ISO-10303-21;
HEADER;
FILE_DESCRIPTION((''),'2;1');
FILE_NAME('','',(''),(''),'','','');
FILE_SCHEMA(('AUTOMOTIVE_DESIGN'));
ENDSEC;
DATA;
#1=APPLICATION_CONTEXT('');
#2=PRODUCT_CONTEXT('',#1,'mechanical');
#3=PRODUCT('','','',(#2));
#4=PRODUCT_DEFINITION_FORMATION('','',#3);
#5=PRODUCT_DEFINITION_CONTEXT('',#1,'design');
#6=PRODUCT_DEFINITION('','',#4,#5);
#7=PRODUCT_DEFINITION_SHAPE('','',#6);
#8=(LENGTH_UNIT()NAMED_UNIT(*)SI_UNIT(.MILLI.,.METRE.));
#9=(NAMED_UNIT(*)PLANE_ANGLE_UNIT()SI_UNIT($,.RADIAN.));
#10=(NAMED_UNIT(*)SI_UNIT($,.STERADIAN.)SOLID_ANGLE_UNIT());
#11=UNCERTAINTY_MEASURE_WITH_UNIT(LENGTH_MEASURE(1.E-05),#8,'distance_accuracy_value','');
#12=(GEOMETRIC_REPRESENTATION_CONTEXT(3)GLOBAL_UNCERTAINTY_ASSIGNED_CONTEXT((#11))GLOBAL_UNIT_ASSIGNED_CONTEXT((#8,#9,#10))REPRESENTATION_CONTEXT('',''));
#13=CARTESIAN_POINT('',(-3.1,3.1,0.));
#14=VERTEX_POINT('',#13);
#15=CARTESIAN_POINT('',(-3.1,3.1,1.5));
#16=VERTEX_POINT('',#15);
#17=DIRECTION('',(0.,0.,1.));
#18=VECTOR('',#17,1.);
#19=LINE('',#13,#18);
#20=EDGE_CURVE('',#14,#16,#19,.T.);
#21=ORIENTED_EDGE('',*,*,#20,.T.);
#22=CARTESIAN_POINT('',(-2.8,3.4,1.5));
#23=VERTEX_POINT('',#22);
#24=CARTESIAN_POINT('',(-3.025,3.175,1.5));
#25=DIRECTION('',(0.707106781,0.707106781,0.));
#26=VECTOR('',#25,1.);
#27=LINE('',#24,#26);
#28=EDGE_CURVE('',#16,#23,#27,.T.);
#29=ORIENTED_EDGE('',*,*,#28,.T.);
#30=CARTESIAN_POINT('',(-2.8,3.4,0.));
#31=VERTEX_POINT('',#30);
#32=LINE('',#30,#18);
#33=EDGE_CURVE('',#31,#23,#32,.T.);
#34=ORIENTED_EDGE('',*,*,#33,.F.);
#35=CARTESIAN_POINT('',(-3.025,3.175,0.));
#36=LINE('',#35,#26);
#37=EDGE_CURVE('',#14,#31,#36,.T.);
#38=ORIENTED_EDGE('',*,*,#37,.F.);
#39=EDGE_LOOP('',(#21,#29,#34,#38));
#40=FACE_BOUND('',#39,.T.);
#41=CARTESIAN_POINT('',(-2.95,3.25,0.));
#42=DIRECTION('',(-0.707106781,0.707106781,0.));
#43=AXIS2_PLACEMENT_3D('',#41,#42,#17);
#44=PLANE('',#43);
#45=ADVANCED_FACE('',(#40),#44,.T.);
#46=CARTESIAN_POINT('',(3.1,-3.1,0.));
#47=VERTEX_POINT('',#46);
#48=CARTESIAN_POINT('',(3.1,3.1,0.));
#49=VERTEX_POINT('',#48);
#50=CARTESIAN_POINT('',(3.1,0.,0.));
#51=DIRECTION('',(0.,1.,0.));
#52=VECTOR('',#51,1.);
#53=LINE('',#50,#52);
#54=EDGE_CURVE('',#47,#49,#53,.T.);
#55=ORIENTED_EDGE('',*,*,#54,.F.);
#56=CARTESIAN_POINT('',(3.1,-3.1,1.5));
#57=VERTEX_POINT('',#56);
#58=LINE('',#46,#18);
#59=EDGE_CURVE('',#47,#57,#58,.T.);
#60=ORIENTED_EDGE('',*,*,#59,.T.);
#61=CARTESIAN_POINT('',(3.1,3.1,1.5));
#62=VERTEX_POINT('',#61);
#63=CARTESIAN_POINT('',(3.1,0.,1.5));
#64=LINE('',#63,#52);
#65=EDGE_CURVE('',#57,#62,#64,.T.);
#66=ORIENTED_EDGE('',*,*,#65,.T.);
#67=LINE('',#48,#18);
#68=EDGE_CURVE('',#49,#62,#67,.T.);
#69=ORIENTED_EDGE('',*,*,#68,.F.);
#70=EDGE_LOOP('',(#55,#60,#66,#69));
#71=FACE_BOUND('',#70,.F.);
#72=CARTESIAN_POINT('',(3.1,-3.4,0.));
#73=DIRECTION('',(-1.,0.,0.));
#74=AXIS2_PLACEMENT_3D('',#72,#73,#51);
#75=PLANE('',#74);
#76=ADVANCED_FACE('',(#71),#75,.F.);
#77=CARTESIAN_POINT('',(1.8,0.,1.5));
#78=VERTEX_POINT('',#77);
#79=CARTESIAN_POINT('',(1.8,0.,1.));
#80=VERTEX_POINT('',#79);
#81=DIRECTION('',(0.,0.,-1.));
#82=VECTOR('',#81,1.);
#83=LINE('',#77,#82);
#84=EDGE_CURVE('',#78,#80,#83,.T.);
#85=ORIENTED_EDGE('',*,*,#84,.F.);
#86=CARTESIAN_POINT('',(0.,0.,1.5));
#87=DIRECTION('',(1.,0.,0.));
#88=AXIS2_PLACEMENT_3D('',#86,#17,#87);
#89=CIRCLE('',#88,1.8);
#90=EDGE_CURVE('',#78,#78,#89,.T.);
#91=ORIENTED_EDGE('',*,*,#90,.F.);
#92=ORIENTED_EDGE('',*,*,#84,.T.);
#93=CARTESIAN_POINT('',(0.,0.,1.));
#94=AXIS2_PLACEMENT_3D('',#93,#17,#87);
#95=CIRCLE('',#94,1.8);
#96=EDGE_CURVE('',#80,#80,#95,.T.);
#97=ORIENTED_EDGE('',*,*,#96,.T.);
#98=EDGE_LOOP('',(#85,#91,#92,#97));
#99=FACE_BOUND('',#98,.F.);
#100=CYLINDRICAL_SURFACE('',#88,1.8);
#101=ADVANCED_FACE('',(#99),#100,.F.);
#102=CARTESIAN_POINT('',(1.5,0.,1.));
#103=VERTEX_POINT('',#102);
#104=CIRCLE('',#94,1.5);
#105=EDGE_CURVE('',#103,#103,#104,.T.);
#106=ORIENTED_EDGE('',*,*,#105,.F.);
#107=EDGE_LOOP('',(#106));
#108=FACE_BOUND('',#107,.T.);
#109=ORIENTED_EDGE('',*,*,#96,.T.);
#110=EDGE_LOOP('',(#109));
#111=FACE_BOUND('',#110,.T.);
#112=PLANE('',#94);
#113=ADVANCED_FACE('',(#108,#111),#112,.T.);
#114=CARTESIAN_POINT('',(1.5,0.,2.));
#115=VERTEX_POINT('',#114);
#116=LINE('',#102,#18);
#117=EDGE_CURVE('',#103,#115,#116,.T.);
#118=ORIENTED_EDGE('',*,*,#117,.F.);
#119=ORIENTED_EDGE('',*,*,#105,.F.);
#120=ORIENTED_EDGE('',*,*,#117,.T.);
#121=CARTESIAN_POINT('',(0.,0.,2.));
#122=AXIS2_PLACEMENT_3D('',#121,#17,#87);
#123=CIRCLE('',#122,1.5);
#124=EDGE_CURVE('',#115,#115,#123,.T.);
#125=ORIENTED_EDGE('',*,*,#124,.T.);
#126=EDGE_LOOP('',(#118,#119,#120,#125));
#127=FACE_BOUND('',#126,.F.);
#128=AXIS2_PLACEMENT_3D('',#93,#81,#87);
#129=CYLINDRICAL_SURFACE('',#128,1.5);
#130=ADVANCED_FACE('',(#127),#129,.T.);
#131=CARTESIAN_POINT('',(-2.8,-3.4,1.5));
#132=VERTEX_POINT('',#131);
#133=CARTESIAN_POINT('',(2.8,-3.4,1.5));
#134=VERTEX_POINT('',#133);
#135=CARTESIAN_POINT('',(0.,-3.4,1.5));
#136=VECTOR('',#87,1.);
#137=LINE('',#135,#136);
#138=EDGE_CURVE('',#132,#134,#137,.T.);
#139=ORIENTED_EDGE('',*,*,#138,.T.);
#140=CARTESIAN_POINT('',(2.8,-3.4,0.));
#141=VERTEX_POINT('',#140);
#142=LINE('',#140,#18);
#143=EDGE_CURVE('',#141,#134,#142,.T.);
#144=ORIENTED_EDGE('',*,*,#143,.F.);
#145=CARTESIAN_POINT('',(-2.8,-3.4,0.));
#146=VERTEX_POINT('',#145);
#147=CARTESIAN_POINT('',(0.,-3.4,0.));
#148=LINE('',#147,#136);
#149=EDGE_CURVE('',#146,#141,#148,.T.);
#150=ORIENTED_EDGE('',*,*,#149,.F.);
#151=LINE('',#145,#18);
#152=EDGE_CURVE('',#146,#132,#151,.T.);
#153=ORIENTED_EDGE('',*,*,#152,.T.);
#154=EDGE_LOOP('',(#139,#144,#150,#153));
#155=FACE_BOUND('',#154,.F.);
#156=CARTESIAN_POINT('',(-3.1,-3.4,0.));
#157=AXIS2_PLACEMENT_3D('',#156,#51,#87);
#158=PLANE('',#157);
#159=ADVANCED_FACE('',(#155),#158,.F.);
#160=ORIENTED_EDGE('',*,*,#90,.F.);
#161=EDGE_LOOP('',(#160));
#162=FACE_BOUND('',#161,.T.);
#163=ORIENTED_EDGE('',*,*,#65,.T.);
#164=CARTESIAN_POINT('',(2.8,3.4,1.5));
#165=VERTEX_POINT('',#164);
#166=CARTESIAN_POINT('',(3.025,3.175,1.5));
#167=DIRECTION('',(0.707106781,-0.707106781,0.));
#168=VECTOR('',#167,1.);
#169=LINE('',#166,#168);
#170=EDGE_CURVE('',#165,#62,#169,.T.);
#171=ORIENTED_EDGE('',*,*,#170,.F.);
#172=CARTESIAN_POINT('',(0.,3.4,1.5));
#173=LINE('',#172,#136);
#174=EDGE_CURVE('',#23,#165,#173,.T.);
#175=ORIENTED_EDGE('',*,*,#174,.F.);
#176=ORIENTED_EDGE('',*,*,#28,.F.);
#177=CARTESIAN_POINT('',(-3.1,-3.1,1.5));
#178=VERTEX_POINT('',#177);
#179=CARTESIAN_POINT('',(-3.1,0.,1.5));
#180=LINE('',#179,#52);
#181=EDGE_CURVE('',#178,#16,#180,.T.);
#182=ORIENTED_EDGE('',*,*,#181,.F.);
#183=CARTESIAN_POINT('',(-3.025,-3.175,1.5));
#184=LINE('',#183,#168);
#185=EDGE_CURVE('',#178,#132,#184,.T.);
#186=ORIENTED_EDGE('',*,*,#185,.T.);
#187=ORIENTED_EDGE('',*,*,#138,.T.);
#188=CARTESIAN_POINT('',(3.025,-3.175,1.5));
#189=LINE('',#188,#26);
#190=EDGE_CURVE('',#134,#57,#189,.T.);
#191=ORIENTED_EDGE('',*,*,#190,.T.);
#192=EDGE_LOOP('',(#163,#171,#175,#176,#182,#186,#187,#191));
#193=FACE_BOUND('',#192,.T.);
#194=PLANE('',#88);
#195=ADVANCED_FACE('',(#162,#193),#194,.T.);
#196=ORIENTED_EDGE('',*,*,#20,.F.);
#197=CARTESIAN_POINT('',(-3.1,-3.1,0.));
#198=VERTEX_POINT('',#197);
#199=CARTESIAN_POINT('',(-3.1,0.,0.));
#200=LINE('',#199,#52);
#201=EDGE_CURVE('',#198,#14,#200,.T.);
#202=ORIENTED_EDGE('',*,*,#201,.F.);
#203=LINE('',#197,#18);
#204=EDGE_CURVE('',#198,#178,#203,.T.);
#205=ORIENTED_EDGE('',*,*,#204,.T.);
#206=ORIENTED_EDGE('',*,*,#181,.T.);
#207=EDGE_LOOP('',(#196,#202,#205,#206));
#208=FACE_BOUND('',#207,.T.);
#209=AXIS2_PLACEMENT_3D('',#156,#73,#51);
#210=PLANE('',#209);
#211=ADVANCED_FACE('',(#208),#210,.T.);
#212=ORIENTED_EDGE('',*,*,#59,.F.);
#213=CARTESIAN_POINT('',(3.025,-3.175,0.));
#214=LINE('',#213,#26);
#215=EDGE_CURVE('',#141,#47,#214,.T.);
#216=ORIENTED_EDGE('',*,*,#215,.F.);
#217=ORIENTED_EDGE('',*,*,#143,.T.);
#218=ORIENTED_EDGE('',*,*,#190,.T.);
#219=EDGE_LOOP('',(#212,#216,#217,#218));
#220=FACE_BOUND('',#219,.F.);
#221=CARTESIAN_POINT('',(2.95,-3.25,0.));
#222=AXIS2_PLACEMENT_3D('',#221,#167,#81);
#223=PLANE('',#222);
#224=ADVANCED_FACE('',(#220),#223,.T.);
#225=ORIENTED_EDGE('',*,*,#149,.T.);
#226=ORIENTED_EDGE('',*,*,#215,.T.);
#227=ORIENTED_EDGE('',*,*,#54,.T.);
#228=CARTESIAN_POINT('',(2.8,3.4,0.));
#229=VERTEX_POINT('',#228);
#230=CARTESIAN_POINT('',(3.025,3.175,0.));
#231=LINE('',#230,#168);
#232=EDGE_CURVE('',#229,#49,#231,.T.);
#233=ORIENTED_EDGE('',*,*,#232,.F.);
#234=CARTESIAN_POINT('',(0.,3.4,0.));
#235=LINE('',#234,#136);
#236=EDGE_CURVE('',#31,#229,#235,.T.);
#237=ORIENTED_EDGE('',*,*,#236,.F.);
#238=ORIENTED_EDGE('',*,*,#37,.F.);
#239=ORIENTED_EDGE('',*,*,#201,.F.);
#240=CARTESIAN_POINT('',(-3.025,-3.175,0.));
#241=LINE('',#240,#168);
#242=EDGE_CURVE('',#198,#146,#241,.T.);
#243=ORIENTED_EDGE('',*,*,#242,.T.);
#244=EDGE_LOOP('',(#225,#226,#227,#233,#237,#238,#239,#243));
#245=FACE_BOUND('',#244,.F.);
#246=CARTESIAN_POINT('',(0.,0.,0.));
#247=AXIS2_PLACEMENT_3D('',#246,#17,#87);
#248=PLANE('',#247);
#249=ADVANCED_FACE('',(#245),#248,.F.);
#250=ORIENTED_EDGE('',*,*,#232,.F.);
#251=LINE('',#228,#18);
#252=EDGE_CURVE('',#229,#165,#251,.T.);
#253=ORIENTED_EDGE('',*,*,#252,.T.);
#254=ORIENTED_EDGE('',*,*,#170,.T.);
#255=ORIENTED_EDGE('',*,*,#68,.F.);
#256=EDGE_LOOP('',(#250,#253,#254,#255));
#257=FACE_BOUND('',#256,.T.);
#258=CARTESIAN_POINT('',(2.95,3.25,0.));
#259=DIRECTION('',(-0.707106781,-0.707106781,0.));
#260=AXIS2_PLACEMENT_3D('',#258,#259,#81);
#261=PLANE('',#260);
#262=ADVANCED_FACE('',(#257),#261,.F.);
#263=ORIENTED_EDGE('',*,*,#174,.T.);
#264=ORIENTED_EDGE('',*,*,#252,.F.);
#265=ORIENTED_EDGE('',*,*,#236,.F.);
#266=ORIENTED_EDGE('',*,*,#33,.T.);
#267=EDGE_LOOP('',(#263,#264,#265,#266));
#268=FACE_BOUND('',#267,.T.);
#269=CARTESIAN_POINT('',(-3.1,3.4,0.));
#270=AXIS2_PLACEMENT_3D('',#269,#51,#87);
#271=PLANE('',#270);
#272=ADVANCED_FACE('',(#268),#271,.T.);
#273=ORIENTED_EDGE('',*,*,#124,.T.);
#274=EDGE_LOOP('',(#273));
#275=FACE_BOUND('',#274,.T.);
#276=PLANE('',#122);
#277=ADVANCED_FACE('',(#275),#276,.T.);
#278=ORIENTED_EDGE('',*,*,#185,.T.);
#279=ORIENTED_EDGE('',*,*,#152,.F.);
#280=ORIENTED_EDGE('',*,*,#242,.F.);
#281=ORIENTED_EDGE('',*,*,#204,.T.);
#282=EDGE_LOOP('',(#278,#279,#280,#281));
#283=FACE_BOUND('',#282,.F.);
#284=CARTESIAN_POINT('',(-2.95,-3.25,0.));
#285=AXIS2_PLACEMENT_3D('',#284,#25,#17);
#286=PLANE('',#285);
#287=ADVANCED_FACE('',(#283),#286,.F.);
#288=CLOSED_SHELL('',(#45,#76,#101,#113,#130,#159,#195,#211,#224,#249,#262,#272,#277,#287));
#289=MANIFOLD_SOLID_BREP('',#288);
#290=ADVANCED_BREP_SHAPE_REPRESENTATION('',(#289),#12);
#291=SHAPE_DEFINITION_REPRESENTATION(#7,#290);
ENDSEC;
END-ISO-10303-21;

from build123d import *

# Parameters (mm, degrees)
F0_W     = 6.2
F0_H     = 6.8
F1_DEPTH = 1.5
F2_R     = 1.8
F3_DEPTH = 0.5
F4_R     = 1.5
F5_DEPTH = 1
F6_SIZE  = 0.3


with BuildPart() as f1:
    # F0 (on Top) → F1 (new body)
    with BuildSketch(Plane.XY):
        Rectangle(F0_W, F0_H)
    extrude(amount=F1_DEPTH)

    # F2 (on face) → F3 (cut)
    with BuildSketch(Plane.XY.offset(1.5)):
        Circle(F2_R)
    extrude(amount=-F3_DEPTH, mode=Mode.SUBTRACT)

    # F4 (on face) → F5 (join)
    with BuildSketch(Plane.XY.offset(1)):
        Circle(F4_R)
    extrude(amount=F5_DEPTH)

    # F6
    f6_edges = [f1.edges().sort_by_distance(p)[0] for p in [
        (-3.1, -3.4, 0.75),
        (3.1, -3.4, 0.75),
        (3.1, 3.4, 0.75),
        (-3.1, 3.4, 0.75),
    ]]
    chamfer(f6_edges, length=F6_SIZE)


solid = f1.part
